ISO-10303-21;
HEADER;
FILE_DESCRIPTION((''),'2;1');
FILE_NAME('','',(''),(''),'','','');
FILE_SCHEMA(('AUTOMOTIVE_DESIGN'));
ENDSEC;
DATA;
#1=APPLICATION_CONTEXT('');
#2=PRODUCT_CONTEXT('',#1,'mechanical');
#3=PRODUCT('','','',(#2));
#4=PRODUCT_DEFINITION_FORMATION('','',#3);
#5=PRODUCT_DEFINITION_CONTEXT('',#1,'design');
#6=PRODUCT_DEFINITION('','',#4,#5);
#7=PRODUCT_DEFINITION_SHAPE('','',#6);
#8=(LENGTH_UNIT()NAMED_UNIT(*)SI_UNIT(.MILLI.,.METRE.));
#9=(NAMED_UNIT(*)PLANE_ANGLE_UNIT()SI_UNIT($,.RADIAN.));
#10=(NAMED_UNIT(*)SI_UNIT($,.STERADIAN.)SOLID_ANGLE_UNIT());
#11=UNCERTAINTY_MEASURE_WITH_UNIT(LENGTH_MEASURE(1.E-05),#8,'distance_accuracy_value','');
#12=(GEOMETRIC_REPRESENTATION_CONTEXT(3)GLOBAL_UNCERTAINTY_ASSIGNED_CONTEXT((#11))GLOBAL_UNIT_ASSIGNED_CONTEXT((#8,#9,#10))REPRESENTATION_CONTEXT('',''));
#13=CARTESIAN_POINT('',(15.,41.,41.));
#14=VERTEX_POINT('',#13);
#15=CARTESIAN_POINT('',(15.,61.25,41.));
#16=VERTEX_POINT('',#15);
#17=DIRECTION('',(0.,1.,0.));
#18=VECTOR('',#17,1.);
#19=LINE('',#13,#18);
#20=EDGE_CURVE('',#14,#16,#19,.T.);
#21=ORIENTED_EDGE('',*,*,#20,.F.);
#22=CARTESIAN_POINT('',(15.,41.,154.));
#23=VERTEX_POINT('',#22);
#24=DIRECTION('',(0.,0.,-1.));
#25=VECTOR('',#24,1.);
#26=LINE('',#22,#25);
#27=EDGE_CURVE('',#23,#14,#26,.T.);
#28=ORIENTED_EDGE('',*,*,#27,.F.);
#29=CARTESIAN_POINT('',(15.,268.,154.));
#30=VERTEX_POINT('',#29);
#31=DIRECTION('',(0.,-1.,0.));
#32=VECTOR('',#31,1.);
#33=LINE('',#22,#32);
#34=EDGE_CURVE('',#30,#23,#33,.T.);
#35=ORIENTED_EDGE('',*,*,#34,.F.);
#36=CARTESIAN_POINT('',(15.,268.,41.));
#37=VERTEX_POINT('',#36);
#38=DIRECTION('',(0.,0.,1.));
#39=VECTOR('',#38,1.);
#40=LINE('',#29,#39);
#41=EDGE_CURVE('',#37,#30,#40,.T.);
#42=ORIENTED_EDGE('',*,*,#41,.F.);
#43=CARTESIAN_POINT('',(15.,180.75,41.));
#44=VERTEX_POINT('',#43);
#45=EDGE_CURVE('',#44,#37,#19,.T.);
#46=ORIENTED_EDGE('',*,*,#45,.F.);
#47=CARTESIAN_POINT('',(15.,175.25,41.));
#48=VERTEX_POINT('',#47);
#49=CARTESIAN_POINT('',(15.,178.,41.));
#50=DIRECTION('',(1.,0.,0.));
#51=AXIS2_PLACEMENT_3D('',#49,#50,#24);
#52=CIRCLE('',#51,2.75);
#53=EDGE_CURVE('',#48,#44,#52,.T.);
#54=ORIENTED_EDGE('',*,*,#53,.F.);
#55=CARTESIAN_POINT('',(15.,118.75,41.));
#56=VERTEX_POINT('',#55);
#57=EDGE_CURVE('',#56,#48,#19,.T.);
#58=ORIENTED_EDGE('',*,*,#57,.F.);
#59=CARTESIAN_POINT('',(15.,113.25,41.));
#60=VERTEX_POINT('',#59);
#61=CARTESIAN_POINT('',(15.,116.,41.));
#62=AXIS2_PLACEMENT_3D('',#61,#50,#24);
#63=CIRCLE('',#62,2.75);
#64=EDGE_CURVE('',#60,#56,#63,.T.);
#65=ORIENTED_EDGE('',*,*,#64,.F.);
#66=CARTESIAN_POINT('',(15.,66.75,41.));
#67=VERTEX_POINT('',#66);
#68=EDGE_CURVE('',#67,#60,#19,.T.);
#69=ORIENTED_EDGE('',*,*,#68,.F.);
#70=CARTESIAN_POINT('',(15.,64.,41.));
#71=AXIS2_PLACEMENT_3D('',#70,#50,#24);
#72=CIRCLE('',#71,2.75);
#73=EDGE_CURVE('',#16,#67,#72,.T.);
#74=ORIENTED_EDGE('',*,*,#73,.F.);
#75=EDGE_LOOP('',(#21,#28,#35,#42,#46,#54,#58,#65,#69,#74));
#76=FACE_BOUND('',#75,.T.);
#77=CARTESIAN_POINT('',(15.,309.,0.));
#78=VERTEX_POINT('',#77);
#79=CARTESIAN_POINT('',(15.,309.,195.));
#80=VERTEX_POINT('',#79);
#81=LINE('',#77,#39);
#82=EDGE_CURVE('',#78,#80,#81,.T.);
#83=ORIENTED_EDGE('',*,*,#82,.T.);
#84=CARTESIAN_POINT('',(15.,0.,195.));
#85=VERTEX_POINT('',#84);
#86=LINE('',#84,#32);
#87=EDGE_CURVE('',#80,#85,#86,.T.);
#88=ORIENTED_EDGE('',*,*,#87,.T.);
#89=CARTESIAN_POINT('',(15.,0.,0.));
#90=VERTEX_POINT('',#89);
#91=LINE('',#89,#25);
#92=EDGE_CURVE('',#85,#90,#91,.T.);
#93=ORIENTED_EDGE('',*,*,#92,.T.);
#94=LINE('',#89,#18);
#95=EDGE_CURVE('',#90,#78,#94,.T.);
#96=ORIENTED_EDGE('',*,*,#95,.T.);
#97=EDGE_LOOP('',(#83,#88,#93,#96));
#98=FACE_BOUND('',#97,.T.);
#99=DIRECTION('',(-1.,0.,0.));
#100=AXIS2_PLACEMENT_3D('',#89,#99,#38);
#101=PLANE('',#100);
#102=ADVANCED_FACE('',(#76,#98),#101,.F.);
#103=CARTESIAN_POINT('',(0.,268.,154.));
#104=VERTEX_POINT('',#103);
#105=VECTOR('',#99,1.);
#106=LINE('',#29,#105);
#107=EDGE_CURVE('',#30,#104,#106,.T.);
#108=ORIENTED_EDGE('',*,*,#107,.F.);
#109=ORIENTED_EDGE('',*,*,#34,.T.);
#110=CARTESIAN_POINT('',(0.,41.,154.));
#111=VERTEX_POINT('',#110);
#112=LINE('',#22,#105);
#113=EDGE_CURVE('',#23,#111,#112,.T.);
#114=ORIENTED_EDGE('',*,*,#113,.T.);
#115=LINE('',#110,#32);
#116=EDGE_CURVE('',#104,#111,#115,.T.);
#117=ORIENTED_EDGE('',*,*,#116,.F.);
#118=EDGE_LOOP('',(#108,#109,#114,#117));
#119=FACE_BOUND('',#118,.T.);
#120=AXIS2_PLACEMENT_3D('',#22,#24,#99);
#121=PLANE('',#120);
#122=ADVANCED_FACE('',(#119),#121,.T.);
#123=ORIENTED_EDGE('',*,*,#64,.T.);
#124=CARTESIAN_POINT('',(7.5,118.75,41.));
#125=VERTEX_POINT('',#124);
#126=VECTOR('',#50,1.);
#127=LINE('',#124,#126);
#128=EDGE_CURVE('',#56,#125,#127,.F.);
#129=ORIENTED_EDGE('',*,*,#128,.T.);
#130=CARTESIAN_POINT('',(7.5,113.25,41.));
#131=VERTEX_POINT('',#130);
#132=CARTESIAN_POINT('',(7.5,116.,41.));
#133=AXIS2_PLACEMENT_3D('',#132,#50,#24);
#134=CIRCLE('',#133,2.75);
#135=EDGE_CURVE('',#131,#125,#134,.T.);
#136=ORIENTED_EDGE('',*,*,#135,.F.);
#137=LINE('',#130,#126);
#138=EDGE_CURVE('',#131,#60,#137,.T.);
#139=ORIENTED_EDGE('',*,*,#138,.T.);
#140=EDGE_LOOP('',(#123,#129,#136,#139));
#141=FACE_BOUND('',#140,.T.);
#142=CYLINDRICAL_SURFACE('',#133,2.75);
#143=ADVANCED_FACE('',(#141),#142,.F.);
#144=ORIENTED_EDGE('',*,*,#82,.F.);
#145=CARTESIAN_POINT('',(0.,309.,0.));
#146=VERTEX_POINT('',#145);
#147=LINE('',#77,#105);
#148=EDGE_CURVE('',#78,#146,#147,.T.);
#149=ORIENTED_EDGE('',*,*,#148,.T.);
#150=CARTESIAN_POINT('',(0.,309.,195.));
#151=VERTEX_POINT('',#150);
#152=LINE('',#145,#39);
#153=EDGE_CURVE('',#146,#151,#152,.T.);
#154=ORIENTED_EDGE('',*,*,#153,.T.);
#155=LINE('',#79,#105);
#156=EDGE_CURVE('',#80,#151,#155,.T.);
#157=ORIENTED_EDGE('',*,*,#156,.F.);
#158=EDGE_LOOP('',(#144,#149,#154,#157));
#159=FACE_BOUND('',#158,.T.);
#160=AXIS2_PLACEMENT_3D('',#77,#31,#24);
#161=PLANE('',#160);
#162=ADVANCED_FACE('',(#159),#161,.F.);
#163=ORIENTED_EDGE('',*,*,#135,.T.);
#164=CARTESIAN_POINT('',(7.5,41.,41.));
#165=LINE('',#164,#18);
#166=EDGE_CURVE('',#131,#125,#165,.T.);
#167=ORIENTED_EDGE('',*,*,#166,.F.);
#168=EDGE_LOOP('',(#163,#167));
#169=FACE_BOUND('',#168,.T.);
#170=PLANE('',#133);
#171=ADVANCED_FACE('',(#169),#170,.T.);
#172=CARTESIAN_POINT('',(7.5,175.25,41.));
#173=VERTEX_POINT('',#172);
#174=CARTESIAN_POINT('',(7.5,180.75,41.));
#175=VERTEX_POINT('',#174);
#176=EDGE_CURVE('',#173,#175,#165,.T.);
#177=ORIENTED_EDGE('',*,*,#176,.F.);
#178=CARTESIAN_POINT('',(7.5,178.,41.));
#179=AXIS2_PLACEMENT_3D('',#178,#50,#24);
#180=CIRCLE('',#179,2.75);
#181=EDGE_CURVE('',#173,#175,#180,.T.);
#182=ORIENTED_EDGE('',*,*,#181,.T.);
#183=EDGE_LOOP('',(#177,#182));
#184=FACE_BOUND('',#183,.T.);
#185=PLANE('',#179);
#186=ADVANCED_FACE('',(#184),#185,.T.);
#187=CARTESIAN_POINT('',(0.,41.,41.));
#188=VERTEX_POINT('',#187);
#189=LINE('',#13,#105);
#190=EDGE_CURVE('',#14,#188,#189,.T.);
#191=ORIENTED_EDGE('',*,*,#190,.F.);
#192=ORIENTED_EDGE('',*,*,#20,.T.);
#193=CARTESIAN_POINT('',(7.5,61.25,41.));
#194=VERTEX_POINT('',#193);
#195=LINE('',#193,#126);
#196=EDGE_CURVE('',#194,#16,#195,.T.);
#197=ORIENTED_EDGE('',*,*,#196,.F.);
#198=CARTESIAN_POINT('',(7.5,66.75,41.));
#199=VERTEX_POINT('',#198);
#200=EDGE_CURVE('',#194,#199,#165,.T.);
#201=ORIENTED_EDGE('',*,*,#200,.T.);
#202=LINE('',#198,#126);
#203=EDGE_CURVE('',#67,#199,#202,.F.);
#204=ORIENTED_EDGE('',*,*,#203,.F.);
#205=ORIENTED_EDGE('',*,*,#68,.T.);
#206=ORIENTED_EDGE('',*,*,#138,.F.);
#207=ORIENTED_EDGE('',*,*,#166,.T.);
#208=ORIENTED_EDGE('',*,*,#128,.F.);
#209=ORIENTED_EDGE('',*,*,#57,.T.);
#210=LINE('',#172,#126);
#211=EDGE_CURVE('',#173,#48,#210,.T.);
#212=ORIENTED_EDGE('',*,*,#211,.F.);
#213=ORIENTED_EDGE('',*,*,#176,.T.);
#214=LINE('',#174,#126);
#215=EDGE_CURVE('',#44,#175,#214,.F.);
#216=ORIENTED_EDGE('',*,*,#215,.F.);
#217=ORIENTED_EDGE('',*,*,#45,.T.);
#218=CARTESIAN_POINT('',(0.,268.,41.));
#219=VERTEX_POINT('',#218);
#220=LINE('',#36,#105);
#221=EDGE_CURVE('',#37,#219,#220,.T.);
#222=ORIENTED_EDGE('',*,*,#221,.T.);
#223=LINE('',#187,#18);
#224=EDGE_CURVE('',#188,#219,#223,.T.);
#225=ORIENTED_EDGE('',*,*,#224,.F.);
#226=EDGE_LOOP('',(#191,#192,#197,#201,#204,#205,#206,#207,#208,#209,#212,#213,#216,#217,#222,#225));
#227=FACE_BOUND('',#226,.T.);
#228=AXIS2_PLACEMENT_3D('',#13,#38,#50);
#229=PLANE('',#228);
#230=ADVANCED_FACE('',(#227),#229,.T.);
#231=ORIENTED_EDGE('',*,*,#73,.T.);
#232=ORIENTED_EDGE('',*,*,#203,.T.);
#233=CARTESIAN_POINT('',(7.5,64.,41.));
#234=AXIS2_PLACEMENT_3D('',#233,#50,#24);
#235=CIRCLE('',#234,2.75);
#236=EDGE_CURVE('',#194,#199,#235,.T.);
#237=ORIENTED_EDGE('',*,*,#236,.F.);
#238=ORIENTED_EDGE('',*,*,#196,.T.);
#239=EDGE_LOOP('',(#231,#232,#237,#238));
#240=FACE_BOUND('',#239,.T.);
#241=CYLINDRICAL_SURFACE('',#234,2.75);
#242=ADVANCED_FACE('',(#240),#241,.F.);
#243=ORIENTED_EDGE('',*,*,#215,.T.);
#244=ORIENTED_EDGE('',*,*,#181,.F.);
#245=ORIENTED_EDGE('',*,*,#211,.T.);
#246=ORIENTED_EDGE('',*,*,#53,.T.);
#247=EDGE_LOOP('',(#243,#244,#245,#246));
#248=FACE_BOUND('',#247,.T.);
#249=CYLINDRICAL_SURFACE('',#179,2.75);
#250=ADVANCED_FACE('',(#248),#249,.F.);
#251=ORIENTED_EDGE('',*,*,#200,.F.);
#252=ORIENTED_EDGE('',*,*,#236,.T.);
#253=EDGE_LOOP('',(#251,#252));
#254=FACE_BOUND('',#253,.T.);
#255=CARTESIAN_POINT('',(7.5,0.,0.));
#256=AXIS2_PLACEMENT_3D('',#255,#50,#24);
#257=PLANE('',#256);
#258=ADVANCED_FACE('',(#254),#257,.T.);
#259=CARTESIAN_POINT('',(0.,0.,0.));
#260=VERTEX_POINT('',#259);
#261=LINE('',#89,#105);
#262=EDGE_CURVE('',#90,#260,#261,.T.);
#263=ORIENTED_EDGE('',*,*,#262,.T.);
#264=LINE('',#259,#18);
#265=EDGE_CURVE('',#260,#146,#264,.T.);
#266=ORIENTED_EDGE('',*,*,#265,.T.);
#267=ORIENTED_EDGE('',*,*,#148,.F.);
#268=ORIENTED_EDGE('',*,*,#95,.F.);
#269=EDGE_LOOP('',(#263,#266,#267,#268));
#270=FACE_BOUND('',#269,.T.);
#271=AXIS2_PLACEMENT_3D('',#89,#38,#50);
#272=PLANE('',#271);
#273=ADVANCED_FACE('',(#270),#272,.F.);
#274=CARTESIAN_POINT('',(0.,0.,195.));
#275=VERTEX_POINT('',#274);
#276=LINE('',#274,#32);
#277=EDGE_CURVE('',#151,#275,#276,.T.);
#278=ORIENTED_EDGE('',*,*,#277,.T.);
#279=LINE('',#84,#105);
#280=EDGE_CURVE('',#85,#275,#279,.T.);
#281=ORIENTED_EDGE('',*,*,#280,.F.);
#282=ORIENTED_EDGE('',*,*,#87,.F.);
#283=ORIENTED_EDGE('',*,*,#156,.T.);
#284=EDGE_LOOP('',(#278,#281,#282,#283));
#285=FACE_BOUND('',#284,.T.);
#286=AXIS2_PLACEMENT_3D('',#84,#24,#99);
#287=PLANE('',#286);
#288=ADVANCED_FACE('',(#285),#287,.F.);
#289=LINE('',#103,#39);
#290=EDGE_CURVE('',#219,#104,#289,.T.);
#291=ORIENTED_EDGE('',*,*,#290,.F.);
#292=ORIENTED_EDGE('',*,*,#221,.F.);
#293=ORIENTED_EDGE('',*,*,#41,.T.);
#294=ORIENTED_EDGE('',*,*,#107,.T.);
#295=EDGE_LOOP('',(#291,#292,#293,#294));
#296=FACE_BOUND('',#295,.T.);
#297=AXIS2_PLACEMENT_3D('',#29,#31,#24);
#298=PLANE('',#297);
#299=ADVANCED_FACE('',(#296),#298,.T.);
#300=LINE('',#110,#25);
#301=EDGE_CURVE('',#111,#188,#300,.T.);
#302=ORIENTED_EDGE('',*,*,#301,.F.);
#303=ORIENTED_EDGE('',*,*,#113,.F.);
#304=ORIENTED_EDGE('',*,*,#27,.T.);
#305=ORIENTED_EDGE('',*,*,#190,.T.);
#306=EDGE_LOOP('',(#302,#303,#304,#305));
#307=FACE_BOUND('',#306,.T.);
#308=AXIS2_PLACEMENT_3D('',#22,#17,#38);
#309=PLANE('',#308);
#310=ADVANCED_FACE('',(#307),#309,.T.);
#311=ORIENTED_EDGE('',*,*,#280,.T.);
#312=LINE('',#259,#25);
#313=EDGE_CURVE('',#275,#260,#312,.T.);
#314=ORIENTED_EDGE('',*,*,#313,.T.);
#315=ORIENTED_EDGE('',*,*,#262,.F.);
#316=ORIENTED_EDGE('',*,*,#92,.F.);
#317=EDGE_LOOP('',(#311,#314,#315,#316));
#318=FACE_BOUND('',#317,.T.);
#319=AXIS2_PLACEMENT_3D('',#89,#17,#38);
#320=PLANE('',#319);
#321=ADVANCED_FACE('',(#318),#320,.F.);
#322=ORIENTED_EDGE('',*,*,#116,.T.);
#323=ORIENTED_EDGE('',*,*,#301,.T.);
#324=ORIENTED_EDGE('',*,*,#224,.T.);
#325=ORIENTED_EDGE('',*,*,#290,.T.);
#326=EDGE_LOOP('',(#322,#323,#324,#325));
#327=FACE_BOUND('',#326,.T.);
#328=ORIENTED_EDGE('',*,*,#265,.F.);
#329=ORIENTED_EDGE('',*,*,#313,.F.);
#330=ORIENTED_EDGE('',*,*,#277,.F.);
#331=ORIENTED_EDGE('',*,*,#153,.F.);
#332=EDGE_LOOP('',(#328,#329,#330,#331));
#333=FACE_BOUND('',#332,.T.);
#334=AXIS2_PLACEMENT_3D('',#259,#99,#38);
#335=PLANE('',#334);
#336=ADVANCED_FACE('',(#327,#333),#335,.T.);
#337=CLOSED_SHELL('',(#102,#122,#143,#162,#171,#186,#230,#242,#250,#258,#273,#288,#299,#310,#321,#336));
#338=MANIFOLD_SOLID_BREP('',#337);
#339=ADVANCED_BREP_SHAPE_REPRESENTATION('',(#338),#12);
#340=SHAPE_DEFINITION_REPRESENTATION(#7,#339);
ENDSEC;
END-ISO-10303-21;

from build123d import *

# Parameters (mm, degrees)
CROQUIS1_W              = 309
CROQUIS1_H              = 195
CROQUIS1_W_2            = 227
CROQUIS1_H_2            = 113
SALIENTE_EXTRUIR1_DEPTH = 15
CROQUIS2_R              = 2.75
CORTAR_EXTRUIR1_DEPTH   = 7.5


with BuildPart() as part:
    # Croquis1 → Saliente-Extruir1 (new body)
    with BuildSketch(Plane.YZ):
        with Locations((154.5, 97.5)):
            Rectangle(CROQUIS1_W, CROQUIS1_H)
        with Locations((154.5, 97.5)):
            Rectangle(CROQUIS1_W_2, CROQUIS1_H_2, mode=Mode.SUBTRACT)
    extrude(amount=SALIENTE_EXTRUIR1_DEPTH)

    # Croquis2 → Cortar-Extruir1 (cut)
    with BuildSketch(Plane.YZ.offset(15)):
        with BuildLine():
            ThreePointArc((66.75, 41), (64, 43.75), (61.25, 41))
            Line((61.25, 41), (66.75, 41))
        make_face()
        with BuildLine():
            Line((66.75, 41), (61.25, 41))
            ThreePointArc((61.25, 41), (64, 38.25), (66.75, 41))
        make_face()
        with Locations((116, 41)):
            Circle(CROQUIS2_R)
        with Locations((178, 41)):
            Circle(CROQUIS2_R)
    extrude(amount=-CORTAR_EXTRUIR1_DEPTH, mode=Mode.SUBTRACT)


solid = part.part
